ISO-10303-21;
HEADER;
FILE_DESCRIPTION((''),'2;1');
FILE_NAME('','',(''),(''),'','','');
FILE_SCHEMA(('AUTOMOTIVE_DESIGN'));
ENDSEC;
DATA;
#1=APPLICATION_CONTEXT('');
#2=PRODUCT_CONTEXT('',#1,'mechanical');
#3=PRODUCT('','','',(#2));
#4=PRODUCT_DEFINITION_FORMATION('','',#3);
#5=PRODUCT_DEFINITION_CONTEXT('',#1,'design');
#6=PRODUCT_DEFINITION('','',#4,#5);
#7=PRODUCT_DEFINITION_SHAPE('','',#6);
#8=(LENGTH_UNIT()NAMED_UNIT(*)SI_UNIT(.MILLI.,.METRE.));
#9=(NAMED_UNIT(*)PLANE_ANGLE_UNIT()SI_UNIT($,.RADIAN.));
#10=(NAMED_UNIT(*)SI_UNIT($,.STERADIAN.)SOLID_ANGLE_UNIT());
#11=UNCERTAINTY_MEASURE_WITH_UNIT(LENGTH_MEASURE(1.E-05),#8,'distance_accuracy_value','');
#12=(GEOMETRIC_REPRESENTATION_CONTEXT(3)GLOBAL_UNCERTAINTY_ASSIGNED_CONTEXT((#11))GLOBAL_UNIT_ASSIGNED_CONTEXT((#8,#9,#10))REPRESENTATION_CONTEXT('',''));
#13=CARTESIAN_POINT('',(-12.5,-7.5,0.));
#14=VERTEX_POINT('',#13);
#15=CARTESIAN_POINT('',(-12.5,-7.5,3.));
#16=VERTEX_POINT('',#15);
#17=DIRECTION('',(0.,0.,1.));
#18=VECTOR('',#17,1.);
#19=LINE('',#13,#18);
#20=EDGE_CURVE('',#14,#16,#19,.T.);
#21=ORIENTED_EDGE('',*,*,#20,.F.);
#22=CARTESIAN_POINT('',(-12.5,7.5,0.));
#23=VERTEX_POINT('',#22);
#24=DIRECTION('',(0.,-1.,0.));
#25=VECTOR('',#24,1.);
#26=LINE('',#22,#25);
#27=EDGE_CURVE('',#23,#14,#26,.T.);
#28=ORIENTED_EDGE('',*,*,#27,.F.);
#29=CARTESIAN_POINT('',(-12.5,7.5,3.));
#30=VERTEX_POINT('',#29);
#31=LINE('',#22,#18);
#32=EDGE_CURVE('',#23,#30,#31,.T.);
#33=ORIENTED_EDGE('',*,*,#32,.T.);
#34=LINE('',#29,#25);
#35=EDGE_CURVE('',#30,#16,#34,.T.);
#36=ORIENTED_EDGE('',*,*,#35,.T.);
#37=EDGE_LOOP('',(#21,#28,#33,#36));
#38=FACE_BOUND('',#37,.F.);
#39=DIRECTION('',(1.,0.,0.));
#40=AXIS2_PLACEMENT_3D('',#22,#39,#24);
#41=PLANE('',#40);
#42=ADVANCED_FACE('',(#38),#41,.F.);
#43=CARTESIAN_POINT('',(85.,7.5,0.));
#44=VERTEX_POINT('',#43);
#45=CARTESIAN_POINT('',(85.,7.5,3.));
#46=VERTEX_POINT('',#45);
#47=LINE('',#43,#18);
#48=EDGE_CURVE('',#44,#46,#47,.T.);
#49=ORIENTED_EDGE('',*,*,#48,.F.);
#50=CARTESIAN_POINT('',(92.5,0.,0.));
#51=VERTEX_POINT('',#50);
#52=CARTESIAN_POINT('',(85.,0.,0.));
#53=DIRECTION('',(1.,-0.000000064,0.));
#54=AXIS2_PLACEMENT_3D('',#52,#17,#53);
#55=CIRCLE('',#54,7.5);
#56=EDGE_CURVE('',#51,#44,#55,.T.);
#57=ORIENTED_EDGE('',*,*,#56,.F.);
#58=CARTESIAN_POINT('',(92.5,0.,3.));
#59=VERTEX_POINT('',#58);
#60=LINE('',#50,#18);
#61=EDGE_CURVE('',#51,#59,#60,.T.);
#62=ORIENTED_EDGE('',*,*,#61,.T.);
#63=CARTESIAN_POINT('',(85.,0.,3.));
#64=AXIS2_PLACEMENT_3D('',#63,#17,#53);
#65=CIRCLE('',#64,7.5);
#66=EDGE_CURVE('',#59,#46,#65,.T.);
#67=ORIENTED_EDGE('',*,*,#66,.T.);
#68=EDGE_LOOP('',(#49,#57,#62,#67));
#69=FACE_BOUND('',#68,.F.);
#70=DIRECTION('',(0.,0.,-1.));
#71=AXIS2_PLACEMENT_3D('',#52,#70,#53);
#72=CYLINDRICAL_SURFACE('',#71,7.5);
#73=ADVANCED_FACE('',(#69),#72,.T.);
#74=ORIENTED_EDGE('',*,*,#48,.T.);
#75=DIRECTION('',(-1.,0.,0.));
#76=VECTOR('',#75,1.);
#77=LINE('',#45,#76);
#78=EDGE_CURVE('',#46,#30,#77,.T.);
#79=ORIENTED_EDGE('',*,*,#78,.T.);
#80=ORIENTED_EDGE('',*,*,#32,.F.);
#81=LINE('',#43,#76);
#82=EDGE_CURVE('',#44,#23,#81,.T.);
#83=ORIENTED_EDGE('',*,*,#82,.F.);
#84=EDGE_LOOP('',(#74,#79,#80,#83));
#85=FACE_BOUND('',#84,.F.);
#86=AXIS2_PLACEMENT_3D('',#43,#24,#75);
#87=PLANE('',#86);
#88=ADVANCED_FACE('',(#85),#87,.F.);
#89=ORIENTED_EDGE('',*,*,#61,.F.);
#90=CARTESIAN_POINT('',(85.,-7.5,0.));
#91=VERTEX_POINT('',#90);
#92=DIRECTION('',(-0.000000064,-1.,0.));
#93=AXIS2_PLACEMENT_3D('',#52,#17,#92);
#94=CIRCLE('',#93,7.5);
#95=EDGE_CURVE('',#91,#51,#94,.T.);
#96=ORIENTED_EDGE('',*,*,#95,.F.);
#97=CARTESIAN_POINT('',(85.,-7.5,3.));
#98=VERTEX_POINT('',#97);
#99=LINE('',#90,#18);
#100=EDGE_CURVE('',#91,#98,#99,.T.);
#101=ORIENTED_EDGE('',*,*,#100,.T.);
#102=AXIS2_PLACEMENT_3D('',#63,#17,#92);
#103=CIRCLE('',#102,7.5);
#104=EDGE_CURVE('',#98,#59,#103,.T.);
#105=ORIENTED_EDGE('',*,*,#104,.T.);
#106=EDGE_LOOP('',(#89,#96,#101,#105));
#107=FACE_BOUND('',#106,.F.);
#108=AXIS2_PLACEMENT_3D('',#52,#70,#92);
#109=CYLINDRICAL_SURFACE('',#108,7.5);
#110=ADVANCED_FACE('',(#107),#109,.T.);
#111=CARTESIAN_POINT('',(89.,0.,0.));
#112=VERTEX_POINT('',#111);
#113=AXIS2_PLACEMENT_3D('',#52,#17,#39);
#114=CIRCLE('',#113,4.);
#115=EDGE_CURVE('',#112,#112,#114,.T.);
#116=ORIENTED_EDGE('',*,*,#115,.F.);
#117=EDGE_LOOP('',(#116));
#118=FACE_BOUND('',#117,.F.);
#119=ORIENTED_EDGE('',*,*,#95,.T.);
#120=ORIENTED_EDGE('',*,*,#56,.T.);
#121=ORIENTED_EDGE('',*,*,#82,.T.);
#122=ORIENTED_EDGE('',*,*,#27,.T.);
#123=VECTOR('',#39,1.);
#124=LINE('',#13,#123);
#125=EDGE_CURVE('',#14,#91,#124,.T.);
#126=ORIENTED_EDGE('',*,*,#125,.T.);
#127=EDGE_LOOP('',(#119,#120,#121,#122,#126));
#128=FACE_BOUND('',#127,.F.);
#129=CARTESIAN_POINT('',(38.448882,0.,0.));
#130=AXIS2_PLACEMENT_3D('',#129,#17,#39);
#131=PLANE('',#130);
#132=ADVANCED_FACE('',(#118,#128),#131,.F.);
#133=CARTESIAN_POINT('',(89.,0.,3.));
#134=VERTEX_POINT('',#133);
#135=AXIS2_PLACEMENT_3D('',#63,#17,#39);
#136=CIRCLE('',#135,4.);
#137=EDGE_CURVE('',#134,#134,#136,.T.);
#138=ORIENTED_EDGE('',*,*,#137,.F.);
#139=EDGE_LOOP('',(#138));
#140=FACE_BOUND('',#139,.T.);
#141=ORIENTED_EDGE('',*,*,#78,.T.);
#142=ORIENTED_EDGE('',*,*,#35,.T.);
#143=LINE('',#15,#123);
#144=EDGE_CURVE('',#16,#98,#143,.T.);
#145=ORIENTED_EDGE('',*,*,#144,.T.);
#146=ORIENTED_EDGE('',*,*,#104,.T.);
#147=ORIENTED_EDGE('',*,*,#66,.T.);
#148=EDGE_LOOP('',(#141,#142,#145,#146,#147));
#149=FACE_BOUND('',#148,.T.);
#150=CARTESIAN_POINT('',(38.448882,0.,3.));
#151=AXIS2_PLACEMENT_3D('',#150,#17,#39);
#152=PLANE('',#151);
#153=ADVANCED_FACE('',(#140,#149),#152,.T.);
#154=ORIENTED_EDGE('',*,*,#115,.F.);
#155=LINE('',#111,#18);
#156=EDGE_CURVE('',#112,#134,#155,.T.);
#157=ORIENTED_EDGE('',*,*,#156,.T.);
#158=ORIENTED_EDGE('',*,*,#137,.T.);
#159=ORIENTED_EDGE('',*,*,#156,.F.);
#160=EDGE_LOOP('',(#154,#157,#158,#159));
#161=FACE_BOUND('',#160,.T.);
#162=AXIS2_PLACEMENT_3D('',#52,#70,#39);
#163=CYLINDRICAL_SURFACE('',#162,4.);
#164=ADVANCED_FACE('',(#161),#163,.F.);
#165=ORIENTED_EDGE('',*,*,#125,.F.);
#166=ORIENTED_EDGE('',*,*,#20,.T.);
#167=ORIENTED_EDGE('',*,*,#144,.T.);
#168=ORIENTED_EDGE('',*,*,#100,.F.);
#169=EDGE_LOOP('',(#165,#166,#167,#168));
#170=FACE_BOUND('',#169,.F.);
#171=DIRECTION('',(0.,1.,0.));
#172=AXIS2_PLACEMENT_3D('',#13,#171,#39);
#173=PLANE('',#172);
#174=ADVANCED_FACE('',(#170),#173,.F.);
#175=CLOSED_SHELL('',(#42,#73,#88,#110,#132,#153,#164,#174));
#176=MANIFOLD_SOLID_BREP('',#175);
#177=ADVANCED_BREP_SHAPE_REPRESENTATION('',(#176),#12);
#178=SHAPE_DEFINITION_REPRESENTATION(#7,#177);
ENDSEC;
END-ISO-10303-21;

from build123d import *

# Parameters (mm, degrees)
F0_R     = 4
F1_DEPTH = 3


with BuildPart() as f1:
    # F0 (on Top) → F1 (new body)
    with BuildSketch(Plane.XY):
        with BuildLine():
            Line((85, 7.5), (12.5, 7.5))
            Line((12.5, 7.5), (-12.5, 7.5))
            Line((-12.5, 7.5), (-12.5, -7.5))
            Line((-12.5, -7.5), (12.5, -7.5))
            Line((12.5, -7.5), (85, -7.5))
            ThreePointArc((85, -7.5), (90.303301, -5.303301), (92.5, 0))
            ThreePointArc((92.5, 0), (90.303301, 5.303301), (85, 7.5))
        make_face()
        with Locations((85, 0)):
            Circle(F0_R, mode=Mode.SUBTRACT)
    extrude(amount=F1_DEPTH)


solid = f1.part
